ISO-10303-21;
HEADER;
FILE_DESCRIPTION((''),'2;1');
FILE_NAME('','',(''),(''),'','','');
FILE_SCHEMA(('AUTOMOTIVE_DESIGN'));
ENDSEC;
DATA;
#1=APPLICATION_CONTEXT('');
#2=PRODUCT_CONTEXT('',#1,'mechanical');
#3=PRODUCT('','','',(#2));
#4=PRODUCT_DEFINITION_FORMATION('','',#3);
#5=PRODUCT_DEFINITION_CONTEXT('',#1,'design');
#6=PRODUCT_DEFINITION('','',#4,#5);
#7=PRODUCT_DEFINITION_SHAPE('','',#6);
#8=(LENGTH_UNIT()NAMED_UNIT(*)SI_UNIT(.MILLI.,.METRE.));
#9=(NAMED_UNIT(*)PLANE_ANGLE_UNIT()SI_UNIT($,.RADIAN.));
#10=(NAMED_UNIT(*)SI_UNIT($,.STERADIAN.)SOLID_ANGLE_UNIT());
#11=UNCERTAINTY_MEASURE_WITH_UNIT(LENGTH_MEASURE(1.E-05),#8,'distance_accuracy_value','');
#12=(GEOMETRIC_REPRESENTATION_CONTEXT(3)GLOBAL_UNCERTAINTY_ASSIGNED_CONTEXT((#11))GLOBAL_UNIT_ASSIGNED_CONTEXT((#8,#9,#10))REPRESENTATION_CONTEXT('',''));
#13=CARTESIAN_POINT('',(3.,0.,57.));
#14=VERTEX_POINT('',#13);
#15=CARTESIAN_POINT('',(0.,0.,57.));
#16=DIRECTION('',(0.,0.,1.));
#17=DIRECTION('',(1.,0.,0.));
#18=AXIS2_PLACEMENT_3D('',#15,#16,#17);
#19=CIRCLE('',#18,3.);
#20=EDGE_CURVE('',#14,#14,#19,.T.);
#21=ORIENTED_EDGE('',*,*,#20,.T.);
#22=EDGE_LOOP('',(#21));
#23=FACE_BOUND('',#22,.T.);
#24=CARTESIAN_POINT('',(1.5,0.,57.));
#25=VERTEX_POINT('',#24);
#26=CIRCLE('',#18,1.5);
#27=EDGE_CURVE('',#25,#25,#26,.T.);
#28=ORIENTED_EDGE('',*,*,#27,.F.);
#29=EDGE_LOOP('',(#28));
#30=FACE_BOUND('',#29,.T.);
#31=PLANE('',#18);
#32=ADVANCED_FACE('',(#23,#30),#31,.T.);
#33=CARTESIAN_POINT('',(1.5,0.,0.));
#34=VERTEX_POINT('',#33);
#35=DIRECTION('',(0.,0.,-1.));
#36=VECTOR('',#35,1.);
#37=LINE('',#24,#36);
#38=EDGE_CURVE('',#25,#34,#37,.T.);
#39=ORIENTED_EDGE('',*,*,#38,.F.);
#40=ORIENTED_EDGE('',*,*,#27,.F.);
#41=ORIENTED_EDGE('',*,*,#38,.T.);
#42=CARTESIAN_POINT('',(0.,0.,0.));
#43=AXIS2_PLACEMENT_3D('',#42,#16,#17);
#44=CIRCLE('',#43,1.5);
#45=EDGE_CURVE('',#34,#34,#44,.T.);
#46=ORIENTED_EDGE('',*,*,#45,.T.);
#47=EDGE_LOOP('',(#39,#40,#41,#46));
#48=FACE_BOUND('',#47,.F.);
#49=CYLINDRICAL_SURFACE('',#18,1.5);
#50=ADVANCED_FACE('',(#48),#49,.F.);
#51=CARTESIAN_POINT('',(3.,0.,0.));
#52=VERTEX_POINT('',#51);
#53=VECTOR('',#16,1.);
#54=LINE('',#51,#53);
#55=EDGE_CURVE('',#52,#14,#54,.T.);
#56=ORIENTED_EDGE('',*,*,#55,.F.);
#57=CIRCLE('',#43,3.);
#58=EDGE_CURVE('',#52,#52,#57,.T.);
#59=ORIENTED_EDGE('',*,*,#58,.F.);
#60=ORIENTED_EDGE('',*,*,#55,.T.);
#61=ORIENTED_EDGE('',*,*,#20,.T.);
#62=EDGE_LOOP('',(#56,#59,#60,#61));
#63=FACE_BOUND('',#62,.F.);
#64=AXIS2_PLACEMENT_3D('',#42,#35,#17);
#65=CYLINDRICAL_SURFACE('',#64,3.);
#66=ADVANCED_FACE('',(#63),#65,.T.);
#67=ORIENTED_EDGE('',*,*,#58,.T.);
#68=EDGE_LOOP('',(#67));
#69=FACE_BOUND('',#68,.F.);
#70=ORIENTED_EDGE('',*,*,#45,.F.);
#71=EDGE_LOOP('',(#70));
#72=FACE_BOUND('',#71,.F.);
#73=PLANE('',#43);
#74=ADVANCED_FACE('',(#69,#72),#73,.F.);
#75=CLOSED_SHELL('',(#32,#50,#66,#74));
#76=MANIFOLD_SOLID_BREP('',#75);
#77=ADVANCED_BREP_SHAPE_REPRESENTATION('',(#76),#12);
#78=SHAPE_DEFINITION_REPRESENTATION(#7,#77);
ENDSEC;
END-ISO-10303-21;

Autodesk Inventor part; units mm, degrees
ref_plane "YZ Plane" through (0, 0, 0) normal (1, 0, 0) x (0, 1, 0)
ref_plane "XZ Plane" through (0, 0, 0) normal (0, 1, 0) x (-1, 0, 0)
ref_plane "XY Plane" through (0, 0, 0) normal (0, 0, 1) x (1, 0, 0)
sketch "草图1" plane through (0, 0, 0) normal (0, 0, 1) x (1, 0, 0)
  circle A0 centre (0, 0) radius 3
  dimension "d0" = 6
extrude "拉伸1" add sketch "草图1" along normal blind 57
sketch "草图2" plane through (0, 0, 57) normal (0, 0, 1) x (1, 0, 0)
  circle A0 centre (0, 0) radius 1.5
  dimension "d3" = 3
extrude "拉伸2" cut sketch "草图2" against normal blind 57.5
properties part number "Y轴杠轴"
